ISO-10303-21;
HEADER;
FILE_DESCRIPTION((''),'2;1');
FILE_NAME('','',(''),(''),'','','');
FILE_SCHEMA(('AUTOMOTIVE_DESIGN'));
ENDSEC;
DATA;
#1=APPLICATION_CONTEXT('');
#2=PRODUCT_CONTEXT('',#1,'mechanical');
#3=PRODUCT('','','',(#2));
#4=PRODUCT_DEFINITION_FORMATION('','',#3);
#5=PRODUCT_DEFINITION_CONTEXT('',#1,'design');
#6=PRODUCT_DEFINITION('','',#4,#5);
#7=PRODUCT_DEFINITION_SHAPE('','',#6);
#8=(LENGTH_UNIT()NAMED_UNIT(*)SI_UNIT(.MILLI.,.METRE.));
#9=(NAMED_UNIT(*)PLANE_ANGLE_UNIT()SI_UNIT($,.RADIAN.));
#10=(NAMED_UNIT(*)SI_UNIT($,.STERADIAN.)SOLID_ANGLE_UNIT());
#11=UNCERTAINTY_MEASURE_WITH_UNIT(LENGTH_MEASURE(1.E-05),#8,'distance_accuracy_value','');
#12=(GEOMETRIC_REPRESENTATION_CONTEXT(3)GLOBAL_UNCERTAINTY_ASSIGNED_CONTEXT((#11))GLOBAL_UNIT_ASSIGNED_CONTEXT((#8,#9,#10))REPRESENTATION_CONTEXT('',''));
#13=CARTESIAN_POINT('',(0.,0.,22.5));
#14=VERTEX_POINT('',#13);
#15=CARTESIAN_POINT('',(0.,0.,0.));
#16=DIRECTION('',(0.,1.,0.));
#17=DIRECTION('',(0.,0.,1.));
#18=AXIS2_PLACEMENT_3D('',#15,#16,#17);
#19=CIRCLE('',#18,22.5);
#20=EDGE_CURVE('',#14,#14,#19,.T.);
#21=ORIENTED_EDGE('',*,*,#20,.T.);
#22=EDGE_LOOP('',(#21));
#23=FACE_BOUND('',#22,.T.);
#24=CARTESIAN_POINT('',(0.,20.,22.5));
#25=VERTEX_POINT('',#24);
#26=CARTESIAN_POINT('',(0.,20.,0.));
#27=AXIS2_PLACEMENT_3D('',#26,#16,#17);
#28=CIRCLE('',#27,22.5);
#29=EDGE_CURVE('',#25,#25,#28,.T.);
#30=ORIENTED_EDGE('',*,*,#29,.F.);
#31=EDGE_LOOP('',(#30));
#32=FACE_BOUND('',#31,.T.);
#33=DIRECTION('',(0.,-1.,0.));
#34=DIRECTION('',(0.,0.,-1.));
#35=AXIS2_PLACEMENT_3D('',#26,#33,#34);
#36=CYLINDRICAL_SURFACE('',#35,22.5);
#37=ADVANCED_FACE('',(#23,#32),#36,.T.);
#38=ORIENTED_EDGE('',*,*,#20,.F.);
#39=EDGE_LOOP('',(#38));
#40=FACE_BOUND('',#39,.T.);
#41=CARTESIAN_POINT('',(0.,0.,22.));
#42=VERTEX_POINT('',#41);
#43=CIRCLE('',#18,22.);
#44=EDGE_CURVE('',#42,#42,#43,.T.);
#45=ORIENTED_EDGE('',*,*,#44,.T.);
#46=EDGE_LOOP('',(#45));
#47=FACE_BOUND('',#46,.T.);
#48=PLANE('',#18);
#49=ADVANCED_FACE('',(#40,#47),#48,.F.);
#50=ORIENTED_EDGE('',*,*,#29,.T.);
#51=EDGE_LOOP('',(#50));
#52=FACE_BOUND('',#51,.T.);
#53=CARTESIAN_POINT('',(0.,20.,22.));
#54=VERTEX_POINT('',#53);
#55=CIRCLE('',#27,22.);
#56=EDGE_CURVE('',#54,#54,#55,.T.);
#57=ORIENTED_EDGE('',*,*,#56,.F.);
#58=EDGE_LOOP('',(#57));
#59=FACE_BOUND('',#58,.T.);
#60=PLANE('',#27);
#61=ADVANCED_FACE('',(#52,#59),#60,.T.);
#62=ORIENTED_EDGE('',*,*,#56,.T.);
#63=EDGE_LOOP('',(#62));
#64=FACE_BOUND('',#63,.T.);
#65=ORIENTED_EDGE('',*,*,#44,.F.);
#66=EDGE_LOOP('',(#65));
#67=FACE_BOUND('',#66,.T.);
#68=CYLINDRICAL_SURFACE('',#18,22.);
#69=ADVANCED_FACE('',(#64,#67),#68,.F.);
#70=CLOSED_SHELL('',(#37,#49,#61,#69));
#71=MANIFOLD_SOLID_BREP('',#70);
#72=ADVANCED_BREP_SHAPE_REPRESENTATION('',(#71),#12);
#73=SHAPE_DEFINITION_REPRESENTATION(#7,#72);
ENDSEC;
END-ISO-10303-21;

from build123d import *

# Parameters (mm, degrees)
SKETCH1_R           = 22.5
BOSS_EXTRUDE1_DEPTH = 20
SKETCH2_R           = 22
CUT_EXTRUDE1_DEPTH  = 20


with BuildPart() as part:
    # Sketch1 → Boss-Extrude1 (new body)
    with BuildSketch(Plane(origin=(0, 0, 0), x_dir=(1, 0, 0), z_dir=(0, 1, 0))):
        with Locations(Location((0, 0, 0), (0, 0, 270))):
            Circle(SKETCH1_R)
    extrude(amount=BOSS_EXTRUDE1_DEPTH)

    # Sketch2 → Cut-Extrude1 (cut)
    with BuildSketch(Plane(origin=(0, 20, 0), x_dir=(1, 0, 0), z_dir=(0, 1, 0))):
        with Locations(Location((0, 0, 0), (0, 0, 270))):
            Circle(SKETCH2_R)
    extrude(amount=-CUT_EXTRUDE1_DEPTH, mode=Mode.SUBTRACT)


solid = part.part
